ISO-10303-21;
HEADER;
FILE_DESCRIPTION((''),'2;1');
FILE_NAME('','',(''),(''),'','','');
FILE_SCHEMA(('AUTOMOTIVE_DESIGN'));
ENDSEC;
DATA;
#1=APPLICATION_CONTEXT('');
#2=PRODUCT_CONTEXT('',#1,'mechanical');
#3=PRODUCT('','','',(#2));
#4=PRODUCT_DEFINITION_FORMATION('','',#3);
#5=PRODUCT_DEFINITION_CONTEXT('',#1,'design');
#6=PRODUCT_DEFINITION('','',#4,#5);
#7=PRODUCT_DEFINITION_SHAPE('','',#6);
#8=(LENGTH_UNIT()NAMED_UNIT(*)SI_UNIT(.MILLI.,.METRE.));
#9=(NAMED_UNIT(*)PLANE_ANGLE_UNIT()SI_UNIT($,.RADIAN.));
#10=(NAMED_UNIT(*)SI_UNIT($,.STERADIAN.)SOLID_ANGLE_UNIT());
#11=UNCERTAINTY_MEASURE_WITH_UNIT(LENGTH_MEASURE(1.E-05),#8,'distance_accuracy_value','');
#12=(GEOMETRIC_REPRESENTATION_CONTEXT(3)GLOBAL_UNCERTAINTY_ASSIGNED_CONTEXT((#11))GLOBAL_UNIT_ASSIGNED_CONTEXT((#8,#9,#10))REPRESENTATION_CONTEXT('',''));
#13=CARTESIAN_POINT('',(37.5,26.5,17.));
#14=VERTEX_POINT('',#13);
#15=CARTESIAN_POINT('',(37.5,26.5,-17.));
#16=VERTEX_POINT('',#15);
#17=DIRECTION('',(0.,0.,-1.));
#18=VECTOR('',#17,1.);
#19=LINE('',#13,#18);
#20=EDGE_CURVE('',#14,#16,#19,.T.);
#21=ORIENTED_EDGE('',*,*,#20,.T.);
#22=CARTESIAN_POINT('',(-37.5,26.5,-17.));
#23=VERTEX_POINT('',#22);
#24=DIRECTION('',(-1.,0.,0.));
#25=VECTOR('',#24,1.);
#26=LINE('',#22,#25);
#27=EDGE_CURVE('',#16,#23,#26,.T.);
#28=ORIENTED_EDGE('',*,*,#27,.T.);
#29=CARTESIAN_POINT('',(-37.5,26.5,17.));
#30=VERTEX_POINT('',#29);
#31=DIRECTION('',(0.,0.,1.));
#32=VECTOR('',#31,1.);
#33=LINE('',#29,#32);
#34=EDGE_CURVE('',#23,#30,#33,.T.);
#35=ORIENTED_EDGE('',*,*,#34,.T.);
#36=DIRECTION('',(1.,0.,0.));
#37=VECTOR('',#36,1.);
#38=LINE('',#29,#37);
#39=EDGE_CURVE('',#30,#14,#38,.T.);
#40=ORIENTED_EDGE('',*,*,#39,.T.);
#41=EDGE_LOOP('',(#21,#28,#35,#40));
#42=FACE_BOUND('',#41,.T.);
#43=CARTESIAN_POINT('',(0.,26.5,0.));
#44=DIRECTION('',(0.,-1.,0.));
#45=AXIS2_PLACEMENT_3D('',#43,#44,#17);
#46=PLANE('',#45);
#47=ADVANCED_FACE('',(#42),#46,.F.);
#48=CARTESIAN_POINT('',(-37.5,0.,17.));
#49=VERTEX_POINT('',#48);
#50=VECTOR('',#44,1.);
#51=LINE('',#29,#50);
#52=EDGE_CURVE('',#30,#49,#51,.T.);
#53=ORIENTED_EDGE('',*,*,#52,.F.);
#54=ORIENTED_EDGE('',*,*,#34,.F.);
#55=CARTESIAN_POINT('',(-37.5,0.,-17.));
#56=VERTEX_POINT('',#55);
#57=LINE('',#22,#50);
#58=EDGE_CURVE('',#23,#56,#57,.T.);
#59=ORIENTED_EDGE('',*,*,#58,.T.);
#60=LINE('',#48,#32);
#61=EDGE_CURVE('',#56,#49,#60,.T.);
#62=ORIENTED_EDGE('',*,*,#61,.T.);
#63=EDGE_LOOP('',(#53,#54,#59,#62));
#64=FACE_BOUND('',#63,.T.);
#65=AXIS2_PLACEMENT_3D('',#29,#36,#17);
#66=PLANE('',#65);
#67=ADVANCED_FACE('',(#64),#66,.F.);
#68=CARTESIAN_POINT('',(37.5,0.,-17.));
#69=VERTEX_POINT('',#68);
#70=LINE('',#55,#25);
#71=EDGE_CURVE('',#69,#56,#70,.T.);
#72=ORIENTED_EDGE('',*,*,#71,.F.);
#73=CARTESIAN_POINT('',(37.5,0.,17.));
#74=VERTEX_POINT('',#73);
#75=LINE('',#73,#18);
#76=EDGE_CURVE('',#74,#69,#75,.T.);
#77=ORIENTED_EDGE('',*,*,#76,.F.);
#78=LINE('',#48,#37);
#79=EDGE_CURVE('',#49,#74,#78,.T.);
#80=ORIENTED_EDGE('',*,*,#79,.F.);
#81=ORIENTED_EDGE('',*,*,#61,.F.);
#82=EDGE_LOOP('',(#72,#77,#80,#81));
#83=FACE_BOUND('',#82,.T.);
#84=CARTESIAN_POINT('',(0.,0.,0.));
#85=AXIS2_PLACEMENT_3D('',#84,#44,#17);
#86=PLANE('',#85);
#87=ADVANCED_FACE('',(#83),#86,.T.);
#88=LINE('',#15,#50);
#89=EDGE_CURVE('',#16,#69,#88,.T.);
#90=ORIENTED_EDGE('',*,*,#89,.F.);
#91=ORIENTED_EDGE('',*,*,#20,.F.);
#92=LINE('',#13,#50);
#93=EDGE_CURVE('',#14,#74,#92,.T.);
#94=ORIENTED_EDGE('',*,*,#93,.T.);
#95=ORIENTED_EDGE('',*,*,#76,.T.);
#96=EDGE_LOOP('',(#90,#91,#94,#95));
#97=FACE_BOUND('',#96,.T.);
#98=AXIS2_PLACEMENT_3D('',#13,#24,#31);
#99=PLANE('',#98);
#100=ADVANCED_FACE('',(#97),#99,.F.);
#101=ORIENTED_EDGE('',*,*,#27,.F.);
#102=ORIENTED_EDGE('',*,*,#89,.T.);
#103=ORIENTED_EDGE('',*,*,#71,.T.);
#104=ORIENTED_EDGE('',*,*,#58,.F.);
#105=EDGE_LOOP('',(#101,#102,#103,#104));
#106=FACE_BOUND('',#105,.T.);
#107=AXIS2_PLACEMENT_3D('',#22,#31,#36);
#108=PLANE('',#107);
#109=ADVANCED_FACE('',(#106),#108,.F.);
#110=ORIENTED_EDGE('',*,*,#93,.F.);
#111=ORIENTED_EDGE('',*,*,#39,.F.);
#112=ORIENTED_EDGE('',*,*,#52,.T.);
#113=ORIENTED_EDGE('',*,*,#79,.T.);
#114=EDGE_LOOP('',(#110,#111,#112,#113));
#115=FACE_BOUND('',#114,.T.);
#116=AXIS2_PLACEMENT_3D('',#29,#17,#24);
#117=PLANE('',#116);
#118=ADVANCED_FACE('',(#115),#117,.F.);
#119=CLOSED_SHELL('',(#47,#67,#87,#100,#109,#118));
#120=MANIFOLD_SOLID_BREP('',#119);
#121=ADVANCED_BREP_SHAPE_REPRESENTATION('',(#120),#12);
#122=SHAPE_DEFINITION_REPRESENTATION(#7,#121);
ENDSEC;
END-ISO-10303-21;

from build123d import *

# Parameters (mm, degrees)
SKETCH2_W           = 75
SKETCH2_H           = 34
BOSS_EXTRUDE1_DEPTH = 26.5


with BuildPart() as part:
    # Sketch2 → Boss-Extrude1 (new body)
    with BuildSketch(Plane(origin=(0, 0, 0), x_dir=(1, 0, 0), z_dir=(0, 1, 0))):
        Rectangle(SKETCH2_W, SKETCH2_H)
    extrude(amount=BOSS_EXTRUDE1_DEPTH)


solid = part.part
